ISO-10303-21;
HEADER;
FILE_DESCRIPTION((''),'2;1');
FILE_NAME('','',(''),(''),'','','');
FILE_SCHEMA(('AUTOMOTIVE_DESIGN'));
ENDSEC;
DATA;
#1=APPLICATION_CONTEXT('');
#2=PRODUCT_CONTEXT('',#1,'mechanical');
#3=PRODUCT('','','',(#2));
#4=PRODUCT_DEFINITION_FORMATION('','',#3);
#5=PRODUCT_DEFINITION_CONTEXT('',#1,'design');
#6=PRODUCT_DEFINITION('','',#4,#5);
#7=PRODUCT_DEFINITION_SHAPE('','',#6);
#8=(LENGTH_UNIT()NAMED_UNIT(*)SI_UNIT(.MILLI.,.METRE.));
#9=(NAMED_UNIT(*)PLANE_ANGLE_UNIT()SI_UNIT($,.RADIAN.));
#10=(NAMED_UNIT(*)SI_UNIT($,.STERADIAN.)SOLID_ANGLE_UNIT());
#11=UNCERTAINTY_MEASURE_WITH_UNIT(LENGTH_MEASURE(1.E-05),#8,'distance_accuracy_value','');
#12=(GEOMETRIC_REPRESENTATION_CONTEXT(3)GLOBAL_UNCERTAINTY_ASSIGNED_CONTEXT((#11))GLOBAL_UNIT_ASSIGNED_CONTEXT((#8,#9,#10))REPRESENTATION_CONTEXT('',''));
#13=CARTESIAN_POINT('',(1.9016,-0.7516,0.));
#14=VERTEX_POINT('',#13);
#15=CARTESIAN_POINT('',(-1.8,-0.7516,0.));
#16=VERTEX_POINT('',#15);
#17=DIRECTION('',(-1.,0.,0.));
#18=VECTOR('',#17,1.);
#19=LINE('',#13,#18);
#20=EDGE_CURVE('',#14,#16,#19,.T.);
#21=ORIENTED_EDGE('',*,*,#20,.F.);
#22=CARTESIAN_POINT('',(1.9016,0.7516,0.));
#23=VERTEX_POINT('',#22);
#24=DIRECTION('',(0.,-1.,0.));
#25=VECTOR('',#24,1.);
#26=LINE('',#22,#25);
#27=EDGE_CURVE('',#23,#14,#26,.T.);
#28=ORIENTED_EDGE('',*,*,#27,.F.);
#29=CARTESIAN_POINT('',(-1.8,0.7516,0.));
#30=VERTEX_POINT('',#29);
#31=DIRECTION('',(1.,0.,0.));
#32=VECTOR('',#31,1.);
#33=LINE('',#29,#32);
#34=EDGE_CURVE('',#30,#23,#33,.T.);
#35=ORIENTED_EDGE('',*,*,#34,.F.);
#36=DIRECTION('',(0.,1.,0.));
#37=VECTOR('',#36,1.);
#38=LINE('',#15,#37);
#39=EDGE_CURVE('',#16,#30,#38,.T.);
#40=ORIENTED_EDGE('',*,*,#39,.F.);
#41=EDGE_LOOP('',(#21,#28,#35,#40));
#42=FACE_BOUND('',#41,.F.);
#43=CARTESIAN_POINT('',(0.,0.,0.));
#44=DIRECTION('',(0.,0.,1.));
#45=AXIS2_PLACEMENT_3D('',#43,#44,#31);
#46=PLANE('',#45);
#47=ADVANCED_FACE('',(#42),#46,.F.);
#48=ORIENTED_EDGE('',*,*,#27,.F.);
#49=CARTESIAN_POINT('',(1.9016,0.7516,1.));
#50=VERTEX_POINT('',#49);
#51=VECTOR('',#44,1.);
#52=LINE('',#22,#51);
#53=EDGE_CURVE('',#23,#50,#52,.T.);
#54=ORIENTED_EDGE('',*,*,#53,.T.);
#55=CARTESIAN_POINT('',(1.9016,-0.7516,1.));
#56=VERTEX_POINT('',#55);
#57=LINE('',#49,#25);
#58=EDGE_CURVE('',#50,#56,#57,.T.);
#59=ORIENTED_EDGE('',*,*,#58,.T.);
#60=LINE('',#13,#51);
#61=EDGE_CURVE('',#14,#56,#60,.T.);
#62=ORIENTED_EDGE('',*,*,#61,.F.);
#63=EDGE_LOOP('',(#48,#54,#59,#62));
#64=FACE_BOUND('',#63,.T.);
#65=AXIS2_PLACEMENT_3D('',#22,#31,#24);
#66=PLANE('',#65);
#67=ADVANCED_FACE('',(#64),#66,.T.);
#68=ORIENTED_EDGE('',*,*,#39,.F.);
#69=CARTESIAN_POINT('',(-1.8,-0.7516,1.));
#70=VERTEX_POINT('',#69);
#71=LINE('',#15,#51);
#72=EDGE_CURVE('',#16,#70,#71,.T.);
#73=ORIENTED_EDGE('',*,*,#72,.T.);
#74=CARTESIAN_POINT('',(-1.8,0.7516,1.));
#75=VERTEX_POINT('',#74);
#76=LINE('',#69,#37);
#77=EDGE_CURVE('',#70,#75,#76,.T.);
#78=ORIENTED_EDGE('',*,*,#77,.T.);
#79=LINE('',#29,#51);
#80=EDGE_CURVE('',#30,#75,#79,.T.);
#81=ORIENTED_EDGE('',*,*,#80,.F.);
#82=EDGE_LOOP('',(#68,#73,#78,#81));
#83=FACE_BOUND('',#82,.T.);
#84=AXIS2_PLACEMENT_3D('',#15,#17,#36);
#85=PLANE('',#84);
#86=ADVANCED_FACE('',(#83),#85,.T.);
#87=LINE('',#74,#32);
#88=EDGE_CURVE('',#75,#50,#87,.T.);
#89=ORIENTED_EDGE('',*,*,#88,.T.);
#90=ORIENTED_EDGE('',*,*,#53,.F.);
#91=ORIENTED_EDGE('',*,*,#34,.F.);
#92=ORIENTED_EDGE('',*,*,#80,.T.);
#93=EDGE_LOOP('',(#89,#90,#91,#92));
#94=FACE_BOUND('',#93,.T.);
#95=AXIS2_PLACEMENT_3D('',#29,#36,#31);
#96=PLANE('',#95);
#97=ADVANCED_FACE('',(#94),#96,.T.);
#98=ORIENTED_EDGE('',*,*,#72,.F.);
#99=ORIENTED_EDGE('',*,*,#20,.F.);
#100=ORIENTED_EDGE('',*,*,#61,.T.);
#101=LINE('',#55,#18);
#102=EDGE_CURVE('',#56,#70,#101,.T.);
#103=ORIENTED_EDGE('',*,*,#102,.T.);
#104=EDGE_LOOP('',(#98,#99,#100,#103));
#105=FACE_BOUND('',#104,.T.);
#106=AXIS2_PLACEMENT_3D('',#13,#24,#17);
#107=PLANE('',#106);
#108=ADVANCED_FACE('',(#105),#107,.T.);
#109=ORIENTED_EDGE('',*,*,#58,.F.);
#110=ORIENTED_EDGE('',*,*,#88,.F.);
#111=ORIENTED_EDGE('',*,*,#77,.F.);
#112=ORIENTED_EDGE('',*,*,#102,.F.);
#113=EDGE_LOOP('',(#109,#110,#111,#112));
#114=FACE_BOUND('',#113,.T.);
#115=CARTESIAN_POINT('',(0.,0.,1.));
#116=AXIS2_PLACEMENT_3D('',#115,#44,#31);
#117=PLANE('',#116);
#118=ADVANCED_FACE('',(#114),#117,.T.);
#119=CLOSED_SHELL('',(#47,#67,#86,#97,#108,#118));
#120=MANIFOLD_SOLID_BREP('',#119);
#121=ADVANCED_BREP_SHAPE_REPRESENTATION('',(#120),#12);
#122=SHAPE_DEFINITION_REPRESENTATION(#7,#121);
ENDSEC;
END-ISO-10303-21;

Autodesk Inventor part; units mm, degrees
ref_plane "YZ Plane" through (0, 0, 0) normal (1, 0, 0) x (0, 1, 0)
ref_plane "XZ Plane" through (0, 0, 0) normal (0, 1, 0) x (-1, 0, 0)
ref_plane "XY Plane" through (0, 0, 0) normal (0, 0, 1) x (1, 0, 0)
sketch "RESONATOR-SMD, RESONATORSMD_39" plane through (0, 0, 0) normal (0, 0, 1) x (1, 0, 0)
  line L0 (-1.8, 0.7516) -> (1.9016, 0.7516)
  line L1 (1.9016, 0.7516) -> (1.9016, -0.7516)
  line L2 (1.9016, -0.7516) -> (-1.8, -0.7516)
  line L3 (-1.8, -0.7516) -> (-1.8, 0.7516)
extrude "Extrusion1" add sketch "RESONATOR-SMD, RESONATORSMD_39" along normal blind 1
properties part number "RESONATORSMD"
